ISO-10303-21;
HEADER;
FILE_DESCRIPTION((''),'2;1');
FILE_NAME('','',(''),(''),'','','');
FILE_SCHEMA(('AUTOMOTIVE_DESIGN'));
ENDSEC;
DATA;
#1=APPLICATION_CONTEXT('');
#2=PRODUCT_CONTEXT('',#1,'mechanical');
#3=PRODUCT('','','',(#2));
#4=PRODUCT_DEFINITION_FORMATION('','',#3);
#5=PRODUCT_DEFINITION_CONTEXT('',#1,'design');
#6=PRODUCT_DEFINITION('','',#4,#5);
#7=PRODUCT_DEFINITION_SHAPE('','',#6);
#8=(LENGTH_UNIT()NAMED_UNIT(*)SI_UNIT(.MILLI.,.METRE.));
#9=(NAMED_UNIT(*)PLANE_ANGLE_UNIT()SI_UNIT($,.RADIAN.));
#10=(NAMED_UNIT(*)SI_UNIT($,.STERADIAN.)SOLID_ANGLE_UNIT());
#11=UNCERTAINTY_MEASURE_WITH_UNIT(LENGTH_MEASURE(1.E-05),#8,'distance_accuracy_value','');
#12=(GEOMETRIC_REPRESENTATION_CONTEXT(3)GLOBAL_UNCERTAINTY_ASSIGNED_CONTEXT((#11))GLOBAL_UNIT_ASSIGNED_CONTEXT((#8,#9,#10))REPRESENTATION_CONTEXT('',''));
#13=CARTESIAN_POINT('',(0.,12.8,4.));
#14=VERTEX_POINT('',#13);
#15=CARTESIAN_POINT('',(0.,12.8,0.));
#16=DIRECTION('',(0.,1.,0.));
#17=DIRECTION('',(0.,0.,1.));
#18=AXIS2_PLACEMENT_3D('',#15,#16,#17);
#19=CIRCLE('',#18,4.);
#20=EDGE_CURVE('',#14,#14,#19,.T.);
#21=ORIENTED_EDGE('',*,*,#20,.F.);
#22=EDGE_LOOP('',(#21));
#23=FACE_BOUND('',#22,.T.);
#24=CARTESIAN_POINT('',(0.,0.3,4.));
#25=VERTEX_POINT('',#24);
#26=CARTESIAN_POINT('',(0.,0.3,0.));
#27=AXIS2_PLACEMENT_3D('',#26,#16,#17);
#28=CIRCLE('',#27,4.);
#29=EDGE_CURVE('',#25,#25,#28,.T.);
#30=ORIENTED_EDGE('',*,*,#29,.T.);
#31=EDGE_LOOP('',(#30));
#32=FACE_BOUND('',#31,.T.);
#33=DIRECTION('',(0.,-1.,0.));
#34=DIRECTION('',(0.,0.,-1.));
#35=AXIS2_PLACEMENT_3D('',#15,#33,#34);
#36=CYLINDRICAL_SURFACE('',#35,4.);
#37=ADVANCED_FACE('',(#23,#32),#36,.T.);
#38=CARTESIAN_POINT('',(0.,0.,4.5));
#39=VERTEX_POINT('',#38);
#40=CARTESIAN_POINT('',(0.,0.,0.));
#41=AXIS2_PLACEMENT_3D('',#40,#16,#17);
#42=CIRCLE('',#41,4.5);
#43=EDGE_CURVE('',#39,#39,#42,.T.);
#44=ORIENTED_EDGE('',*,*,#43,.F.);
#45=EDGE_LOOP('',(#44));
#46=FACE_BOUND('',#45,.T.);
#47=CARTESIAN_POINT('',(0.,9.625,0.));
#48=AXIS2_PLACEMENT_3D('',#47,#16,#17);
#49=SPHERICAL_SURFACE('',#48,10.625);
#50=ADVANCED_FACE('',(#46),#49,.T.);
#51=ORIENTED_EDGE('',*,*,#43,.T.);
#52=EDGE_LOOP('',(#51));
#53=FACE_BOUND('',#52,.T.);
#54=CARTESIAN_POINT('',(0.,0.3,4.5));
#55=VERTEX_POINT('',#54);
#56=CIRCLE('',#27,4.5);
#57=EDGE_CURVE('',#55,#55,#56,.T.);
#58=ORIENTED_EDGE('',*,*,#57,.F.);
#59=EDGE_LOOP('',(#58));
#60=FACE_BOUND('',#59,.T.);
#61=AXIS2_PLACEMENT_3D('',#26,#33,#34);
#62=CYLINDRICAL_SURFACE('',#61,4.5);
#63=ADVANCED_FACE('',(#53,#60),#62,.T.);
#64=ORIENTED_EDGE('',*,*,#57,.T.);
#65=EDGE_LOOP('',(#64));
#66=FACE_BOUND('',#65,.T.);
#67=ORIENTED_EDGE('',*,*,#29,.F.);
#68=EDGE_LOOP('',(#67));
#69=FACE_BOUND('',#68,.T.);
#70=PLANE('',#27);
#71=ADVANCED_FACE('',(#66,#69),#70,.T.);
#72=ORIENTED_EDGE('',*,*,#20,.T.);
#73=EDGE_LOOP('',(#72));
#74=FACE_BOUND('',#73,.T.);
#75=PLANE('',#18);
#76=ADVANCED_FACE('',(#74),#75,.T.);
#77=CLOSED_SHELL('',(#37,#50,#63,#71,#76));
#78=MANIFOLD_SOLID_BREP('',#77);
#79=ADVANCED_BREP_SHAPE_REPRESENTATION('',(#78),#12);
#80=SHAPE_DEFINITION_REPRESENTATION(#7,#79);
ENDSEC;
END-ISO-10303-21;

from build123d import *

# Parameters (mm, degrees)
SKETCH1_R           = 4.5
BOSS_EXTRUDE1_DEPTH = 0.3
DOME1_FACE_RADIUS   = 4.5
DOME1_HEIGHT        = 1
SKETCH2_R           = 4
BOSS_EXTRUDE2_DEPTH = 12.5


with BuildPart() as part:
    # Sketch1 → Boss-Extrude1 (new body)
    with BuildSketch(Plane(origin=(0, 0, 0), x_dir=(1, 0, 0), z_dir=(0, 1, 0))):
        with Locations(Location((0, 0, 0), (0, 0, 270))):
            Circle(SKETCH1_R)
    extrude(amount=BOSS_EXTRUDE1_DEPTH)

    # Dome1: a dome of height H over a round flat face of radius A is a cap of a sphere of radius (A * A + H * H) / (2 * H)
    dome1_r = (DOME1_FACE_RADIUS * DOME1_FACE_RADIUS + DOME1_HEIGHT * DOME1_HEIGHT) / (2 * DOME1_HEIGHT)
    dome1_base = Plane((0, 0, 0), z_dir=(0, -1, 0))
    with Locations(dome1_base.offset(DOME1_HEIGHT - dome1_r)):
        dome1_ball = Sphere(dome1_r, mode=Mode.PRIVATE)
    add(split(dome1_ball, bisect_by=dome1_base, keep=Keep.TOP, mode=Mode.PRIVATE))

    # Sketch2 → Boss-Extrude2 (add)
    with BuildSketch(Plane(origin=(0, 0.3, 0), x_dir=(1, 0, 0), z_dir=(0, 1, 0))):
        with Locations(Location((0, 0, 0), (0, 0, 270))):
            Circle(SKETCH2_R)
    extrude(amount=BOSS_EXTRUDE2_DEPTH)


solid = part.part
